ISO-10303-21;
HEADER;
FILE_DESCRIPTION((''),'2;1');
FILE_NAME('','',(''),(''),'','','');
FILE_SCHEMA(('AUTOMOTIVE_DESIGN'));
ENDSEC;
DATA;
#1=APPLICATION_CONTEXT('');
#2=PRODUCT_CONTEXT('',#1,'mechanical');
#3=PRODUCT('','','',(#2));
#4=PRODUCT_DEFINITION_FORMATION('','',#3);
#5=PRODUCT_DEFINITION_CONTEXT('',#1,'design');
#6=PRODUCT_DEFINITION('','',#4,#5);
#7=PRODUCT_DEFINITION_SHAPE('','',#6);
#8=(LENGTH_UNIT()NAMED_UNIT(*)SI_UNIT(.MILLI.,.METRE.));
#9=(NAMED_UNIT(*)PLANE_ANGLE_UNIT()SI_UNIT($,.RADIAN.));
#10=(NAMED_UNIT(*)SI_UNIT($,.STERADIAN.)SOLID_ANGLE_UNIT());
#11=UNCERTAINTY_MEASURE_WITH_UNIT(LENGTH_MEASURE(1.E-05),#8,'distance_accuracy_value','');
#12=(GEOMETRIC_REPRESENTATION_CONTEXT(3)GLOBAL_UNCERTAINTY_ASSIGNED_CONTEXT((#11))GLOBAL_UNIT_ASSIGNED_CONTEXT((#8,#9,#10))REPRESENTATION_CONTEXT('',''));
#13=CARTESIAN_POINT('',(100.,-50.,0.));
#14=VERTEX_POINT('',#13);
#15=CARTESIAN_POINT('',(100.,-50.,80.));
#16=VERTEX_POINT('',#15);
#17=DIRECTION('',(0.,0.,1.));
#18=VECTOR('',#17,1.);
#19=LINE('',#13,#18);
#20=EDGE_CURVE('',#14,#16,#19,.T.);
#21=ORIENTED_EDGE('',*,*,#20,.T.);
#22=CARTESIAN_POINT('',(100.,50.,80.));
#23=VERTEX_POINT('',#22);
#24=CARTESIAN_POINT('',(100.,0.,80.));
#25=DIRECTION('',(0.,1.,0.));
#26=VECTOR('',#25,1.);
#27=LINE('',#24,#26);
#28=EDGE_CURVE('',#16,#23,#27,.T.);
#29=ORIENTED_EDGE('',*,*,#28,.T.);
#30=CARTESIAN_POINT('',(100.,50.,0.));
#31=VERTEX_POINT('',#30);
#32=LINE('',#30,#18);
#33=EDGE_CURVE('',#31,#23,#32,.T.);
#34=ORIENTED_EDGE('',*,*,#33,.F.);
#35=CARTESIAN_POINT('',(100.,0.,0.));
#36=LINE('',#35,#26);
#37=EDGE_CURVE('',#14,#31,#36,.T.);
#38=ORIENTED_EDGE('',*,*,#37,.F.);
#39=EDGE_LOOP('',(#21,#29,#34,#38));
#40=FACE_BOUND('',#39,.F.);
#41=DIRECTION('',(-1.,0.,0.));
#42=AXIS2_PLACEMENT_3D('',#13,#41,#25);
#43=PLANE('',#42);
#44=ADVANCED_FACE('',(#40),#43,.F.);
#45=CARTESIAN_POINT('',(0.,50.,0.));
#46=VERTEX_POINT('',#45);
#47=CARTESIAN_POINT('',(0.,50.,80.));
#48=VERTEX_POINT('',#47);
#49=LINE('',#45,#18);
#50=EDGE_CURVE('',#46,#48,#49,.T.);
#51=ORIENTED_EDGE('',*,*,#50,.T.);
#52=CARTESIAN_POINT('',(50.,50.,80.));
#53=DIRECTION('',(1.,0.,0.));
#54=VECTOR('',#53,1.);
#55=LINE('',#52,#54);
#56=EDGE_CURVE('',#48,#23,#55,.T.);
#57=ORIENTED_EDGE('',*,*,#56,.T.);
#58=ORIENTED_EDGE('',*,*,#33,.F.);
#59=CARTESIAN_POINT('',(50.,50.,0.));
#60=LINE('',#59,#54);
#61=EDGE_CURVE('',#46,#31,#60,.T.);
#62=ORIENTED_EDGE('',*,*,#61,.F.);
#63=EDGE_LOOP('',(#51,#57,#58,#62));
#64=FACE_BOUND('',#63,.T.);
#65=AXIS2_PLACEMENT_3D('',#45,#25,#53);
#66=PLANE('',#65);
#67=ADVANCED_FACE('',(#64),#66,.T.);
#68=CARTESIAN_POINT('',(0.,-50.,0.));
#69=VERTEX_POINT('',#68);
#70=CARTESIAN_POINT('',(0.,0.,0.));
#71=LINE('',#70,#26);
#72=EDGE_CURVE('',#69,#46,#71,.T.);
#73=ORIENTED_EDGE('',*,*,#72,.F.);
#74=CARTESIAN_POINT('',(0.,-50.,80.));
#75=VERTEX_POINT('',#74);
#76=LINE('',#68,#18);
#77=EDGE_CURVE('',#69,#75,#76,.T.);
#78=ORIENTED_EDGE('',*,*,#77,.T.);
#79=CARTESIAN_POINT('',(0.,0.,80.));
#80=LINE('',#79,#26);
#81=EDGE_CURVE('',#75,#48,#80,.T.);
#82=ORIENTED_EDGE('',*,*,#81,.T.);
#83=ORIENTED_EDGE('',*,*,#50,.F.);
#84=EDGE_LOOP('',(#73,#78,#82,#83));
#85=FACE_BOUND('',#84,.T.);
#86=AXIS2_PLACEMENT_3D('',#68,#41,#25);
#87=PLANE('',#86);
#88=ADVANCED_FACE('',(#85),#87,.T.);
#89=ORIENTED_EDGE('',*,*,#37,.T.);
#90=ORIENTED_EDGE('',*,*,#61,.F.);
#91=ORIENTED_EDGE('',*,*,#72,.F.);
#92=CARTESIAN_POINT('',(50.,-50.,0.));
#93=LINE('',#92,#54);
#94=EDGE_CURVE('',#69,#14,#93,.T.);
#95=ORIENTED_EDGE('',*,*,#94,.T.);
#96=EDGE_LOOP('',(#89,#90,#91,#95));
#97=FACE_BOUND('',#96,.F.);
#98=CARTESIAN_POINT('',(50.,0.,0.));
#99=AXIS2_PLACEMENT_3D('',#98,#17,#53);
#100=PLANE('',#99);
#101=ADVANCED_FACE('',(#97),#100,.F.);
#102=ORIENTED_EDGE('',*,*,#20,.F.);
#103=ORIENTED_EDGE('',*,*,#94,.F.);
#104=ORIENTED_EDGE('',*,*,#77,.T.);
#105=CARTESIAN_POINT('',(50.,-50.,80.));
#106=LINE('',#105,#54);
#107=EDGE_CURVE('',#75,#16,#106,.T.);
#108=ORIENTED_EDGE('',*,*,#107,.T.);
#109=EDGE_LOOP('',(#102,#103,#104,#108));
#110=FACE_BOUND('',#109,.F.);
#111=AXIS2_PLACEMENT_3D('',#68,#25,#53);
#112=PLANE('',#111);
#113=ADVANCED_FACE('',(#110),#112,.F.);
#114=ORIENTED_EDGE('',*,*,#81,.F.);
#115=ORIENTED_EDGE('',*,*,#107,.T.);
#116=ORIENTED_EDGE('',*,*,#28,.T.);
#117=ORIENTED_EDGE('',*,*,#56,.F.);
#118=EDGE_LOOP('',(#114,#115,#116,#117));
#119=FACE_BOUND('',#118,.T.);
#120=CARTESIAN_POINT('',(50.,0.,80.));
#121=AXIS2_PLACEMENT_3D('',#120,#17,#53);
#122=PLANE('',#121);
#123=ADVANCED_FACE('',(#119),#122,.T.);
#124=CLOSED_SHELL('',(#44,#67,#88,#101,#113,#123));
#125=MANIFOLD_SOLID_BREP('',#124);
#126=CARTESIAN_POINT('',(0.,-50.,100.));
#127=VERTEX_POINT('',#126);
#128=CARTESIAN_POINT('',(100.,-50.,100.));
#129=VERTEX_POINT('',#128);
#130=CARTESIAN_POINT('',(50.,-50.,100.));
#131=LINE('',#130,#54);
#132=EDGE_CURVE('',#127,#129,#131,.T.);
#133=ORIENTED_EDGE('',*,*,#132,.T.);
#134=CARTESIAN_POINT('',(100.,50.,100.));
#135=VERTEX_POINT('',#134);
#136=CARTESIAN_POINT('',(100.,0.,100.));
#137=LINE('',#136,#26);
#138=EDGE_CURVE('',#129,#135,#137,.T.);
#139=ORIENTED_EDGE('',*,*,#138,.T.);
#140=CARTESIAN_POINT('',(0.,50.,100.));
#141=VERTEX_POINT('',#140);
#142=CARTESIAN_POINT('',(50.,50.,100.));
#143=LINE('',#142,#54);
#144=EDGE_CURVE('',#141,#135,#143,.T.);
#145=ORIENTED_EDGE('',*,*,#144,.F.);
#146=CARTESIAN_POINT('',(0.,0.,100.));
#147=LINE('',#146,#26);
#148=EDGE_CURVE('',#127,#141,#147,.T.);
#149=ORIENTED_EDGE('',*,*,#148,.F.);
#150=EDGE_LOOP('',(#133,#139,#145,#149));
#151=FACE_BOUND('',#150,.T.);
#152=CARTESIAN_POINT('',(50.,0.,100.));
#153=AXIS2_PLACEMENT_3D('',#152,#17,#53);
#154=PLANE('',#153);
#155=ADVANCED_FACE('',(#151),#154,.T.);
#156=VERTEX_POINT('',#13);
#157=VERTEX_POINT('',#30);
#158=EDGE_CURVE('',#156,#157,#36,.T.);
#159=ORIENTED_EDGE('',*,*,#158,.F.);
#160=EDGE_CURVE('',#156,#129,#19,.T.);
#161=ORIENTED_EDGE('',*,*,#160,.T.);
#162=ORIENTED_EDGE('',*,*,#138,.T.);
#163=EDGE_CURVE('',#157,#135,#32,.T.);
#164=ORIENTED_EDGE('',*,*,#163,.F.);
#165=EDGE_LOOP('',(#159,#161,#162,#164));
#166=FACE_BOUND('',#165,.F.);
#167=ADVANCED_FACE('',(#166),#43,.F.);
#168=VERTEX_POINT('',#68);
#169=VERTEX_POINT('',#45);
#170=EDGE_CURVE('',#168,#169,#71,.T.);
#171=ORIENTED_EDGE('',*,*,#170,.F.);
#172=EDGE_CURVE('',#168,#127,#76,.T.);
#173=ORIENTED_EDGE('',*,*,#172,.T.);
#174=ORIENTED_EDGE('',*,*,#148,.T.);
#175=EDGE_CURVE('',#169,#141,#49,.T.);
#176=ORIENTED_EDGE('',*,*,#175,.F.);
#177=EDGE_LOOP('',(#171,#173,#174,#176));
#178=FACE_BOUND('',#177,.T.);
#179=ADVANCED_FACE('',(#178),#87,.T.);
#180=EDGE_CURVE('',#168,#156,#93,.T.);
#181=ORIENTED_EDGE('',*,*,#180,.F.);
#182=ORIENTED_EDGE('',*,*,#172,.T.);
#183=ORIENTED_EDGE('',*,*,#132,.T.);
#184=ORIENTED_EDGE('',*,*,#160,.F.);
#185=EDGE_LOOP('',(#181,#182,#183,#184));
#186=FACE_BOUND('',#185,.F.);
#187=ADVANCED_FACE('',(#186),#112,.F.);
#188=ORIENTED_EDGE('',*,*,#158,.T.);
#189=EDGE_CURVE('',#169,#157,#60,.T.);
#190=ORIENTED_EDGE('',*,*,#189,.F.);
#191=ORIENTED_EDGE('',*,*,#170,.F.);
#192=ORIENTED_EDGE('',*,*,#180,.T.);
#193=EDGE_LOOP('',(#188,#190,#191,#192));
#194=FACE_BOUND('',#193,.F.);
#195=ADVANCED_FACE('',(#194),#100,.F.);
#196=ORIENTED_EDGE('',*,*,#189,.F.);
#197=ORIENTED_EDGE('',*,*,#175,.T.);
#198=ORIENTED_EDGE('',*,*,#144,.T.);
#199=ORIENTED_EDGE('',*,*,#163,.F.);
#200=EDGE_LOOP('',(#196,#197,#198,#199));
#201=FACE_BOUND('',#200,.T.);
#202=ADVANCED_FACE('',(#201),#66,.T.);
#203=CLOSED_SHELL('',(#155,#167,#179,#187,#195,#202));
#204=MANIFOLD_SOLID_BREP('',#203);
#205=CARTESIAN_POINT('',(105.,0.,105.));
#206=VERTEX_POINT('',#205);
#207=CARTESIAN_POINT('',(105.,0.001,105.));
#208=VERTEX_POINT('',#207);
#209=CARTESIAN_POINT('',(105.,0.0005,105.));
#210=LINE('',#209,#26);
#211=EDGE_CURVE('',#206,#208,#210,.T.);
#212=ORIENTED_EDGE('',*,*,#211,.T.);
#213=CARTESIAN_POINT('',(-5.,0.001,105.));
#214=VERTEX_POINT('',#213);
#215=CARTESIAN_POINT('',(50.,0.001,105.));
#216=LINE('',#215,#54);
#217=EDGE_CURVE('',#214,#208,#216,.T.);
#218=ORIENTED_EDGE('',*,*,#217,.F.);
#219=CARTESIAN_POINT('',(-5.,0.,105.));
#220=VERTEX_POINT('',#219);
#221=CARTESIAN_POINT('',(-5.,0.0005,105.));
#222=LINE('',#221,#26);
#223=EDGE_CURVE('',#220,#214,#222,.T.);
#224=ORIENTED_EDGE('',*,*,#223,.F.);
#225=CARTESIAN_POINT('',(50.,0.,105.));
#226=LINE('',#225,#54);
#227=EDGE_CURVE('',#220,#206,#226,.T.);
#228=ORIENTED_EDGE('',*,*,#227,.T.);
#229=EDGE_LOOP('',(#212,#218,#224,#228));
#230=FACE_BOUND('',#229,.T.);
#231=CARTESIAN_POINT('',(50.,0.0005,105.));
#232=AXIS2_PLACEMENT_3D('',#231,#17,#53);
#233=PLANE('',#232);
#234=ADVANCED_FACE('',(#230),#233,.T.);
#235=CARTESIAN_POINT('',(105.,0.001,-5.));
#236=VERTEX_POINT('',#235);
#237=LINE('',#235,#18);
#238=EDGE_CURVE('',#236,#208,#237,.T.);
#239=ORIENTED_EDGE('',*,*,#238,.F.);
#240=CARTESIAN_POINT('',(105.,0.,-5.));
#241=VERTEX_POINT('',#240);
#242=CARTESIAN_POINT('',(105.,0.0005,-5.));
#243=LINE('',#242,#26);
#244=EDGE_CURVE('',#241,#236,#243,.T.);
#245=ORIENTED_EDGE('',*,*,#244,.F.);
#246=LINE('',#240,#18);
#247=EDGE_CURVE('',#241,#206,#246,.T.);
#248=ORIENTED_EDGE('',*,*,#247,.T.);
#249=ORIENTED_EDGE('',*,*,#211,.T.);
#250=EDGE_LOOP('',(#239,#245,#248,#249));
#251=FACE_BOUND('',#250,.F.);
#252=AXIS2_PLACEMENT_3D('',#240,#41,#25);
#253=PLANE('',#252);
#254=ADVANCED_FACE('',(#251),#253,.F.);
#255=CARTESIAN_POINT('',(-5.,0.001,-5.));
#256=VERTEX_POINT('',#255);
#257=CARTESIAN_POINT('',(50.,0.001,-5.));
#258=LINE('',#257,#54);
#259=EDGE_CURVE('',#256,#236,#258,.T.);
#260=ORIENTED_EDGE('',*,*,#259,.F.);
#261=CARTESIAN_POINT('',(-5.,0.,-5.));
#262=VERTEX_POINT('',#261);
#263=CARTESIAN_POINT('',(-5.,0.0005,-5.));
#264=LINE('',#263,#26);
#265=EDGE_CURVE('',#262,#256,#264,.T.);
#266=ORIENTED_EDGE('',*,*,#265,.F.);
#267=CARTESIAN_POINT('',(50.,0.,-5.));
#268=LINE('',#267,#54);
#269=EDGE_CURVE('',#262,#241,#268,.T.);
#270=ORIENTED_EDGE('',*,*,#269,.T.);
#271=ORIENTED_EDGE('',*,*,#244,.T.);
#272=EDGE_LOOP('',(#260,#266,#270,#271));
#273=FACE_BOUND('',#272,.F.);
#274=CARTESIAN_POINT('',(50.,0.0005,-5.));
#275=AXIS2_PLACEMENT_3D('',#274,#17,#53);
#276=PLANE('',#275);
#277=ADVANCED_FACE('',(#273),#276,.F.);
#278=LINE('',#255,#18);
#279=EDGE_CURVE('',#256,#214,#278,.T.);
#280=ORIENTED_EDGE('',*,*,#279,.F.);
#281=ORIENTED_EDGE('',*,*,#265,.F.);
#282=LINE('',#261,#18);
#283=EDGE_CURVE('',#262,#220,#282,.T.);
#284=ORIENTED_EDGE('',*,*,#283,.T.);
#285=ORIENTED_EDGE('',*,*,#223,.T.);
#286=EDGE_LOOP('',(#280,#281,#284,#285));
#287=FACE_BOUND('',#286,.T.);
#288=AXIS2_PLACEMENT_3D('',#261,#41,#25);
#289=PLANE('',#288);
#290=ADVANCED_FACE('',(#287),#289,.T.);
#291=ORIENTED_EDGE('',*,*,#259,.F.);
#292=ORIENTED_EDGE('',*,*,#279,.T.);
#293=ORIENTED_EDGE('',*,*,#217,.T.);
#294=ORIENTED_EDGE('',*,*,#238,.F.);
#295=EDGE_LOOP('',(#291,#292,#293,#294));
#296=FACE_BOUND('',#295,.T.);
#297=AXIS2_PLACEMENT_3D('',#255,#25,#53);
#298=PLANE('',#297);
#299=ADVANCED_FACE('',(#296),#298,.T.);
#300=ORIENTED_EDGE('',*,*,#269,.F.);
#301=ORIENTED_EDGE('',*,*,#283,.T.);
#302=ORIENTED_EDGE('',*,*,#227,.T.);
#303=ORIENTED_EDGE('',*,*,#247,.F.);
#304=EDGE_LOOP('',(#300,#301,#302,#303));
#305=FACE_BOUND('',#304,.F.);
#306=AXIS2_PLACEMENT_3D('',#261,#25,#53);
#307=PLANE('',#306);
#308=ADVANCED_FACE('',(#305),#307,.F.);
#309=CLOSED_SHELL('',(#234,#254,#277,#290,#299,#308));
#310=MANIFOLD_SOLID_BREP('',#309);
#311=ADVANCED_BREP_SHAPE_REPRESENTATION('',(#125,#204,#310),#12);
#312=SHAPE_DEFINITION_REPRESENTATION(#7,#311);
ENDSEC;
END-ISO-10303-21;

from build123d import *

# Parameters (mm, degrees)
CASE_LIMITS_W     = 110
CASE_LIMITS_H     = 0.001
CASE_LIMITS_DEPTH = 110
BOX_W             = 100
BOX_H             = 100
BOX_DEPTH         = 100
BOX001_W          = 100
BOX001_H          = 100
BOX001_DEPTH      = 80


with BuildPart() as case_limits_2d:
    # Case_Limits → Case_Limits (new body)
    with BuildSketch(Plane(origin=(-5, 0, -5), x_dir=(1, 0, 0), z_dir=(0, 0, 1))):
        with Locations((55, 0.0005)):
            Rectangle(CASE_LIMITS_W, CASE_LIMITS_H)
    extrude(amount=CASE_LIMITS_DEPTH)


with BuildPart() as tank:
    # Box → Box (new body)
    with BuildSketch(Plane(origin=(0, -50, 0), x_dir=(1, 0, 0), z_dir=(0, 0, 1))):
        with Locations((50, 50)):
            Rectangle(BOX_W, BOX_H)
    extrude(amount=BOX_DEPTH)


with BuildPart() as water:
    # Box001 → Box001 (new body)
    with BuildSketch(Plane(origin=(0, -50, 0), x_dir=(1, 0, 0), z_dir=(0, 0, 1))):
        with Locations((50, 50)):
            Rectangle(BOX001_W, BOX001_H)
    extrude(amount=BOX001_DEPTH)


solid = Compound([case_limits_2d.part, tank.part, water.part])
